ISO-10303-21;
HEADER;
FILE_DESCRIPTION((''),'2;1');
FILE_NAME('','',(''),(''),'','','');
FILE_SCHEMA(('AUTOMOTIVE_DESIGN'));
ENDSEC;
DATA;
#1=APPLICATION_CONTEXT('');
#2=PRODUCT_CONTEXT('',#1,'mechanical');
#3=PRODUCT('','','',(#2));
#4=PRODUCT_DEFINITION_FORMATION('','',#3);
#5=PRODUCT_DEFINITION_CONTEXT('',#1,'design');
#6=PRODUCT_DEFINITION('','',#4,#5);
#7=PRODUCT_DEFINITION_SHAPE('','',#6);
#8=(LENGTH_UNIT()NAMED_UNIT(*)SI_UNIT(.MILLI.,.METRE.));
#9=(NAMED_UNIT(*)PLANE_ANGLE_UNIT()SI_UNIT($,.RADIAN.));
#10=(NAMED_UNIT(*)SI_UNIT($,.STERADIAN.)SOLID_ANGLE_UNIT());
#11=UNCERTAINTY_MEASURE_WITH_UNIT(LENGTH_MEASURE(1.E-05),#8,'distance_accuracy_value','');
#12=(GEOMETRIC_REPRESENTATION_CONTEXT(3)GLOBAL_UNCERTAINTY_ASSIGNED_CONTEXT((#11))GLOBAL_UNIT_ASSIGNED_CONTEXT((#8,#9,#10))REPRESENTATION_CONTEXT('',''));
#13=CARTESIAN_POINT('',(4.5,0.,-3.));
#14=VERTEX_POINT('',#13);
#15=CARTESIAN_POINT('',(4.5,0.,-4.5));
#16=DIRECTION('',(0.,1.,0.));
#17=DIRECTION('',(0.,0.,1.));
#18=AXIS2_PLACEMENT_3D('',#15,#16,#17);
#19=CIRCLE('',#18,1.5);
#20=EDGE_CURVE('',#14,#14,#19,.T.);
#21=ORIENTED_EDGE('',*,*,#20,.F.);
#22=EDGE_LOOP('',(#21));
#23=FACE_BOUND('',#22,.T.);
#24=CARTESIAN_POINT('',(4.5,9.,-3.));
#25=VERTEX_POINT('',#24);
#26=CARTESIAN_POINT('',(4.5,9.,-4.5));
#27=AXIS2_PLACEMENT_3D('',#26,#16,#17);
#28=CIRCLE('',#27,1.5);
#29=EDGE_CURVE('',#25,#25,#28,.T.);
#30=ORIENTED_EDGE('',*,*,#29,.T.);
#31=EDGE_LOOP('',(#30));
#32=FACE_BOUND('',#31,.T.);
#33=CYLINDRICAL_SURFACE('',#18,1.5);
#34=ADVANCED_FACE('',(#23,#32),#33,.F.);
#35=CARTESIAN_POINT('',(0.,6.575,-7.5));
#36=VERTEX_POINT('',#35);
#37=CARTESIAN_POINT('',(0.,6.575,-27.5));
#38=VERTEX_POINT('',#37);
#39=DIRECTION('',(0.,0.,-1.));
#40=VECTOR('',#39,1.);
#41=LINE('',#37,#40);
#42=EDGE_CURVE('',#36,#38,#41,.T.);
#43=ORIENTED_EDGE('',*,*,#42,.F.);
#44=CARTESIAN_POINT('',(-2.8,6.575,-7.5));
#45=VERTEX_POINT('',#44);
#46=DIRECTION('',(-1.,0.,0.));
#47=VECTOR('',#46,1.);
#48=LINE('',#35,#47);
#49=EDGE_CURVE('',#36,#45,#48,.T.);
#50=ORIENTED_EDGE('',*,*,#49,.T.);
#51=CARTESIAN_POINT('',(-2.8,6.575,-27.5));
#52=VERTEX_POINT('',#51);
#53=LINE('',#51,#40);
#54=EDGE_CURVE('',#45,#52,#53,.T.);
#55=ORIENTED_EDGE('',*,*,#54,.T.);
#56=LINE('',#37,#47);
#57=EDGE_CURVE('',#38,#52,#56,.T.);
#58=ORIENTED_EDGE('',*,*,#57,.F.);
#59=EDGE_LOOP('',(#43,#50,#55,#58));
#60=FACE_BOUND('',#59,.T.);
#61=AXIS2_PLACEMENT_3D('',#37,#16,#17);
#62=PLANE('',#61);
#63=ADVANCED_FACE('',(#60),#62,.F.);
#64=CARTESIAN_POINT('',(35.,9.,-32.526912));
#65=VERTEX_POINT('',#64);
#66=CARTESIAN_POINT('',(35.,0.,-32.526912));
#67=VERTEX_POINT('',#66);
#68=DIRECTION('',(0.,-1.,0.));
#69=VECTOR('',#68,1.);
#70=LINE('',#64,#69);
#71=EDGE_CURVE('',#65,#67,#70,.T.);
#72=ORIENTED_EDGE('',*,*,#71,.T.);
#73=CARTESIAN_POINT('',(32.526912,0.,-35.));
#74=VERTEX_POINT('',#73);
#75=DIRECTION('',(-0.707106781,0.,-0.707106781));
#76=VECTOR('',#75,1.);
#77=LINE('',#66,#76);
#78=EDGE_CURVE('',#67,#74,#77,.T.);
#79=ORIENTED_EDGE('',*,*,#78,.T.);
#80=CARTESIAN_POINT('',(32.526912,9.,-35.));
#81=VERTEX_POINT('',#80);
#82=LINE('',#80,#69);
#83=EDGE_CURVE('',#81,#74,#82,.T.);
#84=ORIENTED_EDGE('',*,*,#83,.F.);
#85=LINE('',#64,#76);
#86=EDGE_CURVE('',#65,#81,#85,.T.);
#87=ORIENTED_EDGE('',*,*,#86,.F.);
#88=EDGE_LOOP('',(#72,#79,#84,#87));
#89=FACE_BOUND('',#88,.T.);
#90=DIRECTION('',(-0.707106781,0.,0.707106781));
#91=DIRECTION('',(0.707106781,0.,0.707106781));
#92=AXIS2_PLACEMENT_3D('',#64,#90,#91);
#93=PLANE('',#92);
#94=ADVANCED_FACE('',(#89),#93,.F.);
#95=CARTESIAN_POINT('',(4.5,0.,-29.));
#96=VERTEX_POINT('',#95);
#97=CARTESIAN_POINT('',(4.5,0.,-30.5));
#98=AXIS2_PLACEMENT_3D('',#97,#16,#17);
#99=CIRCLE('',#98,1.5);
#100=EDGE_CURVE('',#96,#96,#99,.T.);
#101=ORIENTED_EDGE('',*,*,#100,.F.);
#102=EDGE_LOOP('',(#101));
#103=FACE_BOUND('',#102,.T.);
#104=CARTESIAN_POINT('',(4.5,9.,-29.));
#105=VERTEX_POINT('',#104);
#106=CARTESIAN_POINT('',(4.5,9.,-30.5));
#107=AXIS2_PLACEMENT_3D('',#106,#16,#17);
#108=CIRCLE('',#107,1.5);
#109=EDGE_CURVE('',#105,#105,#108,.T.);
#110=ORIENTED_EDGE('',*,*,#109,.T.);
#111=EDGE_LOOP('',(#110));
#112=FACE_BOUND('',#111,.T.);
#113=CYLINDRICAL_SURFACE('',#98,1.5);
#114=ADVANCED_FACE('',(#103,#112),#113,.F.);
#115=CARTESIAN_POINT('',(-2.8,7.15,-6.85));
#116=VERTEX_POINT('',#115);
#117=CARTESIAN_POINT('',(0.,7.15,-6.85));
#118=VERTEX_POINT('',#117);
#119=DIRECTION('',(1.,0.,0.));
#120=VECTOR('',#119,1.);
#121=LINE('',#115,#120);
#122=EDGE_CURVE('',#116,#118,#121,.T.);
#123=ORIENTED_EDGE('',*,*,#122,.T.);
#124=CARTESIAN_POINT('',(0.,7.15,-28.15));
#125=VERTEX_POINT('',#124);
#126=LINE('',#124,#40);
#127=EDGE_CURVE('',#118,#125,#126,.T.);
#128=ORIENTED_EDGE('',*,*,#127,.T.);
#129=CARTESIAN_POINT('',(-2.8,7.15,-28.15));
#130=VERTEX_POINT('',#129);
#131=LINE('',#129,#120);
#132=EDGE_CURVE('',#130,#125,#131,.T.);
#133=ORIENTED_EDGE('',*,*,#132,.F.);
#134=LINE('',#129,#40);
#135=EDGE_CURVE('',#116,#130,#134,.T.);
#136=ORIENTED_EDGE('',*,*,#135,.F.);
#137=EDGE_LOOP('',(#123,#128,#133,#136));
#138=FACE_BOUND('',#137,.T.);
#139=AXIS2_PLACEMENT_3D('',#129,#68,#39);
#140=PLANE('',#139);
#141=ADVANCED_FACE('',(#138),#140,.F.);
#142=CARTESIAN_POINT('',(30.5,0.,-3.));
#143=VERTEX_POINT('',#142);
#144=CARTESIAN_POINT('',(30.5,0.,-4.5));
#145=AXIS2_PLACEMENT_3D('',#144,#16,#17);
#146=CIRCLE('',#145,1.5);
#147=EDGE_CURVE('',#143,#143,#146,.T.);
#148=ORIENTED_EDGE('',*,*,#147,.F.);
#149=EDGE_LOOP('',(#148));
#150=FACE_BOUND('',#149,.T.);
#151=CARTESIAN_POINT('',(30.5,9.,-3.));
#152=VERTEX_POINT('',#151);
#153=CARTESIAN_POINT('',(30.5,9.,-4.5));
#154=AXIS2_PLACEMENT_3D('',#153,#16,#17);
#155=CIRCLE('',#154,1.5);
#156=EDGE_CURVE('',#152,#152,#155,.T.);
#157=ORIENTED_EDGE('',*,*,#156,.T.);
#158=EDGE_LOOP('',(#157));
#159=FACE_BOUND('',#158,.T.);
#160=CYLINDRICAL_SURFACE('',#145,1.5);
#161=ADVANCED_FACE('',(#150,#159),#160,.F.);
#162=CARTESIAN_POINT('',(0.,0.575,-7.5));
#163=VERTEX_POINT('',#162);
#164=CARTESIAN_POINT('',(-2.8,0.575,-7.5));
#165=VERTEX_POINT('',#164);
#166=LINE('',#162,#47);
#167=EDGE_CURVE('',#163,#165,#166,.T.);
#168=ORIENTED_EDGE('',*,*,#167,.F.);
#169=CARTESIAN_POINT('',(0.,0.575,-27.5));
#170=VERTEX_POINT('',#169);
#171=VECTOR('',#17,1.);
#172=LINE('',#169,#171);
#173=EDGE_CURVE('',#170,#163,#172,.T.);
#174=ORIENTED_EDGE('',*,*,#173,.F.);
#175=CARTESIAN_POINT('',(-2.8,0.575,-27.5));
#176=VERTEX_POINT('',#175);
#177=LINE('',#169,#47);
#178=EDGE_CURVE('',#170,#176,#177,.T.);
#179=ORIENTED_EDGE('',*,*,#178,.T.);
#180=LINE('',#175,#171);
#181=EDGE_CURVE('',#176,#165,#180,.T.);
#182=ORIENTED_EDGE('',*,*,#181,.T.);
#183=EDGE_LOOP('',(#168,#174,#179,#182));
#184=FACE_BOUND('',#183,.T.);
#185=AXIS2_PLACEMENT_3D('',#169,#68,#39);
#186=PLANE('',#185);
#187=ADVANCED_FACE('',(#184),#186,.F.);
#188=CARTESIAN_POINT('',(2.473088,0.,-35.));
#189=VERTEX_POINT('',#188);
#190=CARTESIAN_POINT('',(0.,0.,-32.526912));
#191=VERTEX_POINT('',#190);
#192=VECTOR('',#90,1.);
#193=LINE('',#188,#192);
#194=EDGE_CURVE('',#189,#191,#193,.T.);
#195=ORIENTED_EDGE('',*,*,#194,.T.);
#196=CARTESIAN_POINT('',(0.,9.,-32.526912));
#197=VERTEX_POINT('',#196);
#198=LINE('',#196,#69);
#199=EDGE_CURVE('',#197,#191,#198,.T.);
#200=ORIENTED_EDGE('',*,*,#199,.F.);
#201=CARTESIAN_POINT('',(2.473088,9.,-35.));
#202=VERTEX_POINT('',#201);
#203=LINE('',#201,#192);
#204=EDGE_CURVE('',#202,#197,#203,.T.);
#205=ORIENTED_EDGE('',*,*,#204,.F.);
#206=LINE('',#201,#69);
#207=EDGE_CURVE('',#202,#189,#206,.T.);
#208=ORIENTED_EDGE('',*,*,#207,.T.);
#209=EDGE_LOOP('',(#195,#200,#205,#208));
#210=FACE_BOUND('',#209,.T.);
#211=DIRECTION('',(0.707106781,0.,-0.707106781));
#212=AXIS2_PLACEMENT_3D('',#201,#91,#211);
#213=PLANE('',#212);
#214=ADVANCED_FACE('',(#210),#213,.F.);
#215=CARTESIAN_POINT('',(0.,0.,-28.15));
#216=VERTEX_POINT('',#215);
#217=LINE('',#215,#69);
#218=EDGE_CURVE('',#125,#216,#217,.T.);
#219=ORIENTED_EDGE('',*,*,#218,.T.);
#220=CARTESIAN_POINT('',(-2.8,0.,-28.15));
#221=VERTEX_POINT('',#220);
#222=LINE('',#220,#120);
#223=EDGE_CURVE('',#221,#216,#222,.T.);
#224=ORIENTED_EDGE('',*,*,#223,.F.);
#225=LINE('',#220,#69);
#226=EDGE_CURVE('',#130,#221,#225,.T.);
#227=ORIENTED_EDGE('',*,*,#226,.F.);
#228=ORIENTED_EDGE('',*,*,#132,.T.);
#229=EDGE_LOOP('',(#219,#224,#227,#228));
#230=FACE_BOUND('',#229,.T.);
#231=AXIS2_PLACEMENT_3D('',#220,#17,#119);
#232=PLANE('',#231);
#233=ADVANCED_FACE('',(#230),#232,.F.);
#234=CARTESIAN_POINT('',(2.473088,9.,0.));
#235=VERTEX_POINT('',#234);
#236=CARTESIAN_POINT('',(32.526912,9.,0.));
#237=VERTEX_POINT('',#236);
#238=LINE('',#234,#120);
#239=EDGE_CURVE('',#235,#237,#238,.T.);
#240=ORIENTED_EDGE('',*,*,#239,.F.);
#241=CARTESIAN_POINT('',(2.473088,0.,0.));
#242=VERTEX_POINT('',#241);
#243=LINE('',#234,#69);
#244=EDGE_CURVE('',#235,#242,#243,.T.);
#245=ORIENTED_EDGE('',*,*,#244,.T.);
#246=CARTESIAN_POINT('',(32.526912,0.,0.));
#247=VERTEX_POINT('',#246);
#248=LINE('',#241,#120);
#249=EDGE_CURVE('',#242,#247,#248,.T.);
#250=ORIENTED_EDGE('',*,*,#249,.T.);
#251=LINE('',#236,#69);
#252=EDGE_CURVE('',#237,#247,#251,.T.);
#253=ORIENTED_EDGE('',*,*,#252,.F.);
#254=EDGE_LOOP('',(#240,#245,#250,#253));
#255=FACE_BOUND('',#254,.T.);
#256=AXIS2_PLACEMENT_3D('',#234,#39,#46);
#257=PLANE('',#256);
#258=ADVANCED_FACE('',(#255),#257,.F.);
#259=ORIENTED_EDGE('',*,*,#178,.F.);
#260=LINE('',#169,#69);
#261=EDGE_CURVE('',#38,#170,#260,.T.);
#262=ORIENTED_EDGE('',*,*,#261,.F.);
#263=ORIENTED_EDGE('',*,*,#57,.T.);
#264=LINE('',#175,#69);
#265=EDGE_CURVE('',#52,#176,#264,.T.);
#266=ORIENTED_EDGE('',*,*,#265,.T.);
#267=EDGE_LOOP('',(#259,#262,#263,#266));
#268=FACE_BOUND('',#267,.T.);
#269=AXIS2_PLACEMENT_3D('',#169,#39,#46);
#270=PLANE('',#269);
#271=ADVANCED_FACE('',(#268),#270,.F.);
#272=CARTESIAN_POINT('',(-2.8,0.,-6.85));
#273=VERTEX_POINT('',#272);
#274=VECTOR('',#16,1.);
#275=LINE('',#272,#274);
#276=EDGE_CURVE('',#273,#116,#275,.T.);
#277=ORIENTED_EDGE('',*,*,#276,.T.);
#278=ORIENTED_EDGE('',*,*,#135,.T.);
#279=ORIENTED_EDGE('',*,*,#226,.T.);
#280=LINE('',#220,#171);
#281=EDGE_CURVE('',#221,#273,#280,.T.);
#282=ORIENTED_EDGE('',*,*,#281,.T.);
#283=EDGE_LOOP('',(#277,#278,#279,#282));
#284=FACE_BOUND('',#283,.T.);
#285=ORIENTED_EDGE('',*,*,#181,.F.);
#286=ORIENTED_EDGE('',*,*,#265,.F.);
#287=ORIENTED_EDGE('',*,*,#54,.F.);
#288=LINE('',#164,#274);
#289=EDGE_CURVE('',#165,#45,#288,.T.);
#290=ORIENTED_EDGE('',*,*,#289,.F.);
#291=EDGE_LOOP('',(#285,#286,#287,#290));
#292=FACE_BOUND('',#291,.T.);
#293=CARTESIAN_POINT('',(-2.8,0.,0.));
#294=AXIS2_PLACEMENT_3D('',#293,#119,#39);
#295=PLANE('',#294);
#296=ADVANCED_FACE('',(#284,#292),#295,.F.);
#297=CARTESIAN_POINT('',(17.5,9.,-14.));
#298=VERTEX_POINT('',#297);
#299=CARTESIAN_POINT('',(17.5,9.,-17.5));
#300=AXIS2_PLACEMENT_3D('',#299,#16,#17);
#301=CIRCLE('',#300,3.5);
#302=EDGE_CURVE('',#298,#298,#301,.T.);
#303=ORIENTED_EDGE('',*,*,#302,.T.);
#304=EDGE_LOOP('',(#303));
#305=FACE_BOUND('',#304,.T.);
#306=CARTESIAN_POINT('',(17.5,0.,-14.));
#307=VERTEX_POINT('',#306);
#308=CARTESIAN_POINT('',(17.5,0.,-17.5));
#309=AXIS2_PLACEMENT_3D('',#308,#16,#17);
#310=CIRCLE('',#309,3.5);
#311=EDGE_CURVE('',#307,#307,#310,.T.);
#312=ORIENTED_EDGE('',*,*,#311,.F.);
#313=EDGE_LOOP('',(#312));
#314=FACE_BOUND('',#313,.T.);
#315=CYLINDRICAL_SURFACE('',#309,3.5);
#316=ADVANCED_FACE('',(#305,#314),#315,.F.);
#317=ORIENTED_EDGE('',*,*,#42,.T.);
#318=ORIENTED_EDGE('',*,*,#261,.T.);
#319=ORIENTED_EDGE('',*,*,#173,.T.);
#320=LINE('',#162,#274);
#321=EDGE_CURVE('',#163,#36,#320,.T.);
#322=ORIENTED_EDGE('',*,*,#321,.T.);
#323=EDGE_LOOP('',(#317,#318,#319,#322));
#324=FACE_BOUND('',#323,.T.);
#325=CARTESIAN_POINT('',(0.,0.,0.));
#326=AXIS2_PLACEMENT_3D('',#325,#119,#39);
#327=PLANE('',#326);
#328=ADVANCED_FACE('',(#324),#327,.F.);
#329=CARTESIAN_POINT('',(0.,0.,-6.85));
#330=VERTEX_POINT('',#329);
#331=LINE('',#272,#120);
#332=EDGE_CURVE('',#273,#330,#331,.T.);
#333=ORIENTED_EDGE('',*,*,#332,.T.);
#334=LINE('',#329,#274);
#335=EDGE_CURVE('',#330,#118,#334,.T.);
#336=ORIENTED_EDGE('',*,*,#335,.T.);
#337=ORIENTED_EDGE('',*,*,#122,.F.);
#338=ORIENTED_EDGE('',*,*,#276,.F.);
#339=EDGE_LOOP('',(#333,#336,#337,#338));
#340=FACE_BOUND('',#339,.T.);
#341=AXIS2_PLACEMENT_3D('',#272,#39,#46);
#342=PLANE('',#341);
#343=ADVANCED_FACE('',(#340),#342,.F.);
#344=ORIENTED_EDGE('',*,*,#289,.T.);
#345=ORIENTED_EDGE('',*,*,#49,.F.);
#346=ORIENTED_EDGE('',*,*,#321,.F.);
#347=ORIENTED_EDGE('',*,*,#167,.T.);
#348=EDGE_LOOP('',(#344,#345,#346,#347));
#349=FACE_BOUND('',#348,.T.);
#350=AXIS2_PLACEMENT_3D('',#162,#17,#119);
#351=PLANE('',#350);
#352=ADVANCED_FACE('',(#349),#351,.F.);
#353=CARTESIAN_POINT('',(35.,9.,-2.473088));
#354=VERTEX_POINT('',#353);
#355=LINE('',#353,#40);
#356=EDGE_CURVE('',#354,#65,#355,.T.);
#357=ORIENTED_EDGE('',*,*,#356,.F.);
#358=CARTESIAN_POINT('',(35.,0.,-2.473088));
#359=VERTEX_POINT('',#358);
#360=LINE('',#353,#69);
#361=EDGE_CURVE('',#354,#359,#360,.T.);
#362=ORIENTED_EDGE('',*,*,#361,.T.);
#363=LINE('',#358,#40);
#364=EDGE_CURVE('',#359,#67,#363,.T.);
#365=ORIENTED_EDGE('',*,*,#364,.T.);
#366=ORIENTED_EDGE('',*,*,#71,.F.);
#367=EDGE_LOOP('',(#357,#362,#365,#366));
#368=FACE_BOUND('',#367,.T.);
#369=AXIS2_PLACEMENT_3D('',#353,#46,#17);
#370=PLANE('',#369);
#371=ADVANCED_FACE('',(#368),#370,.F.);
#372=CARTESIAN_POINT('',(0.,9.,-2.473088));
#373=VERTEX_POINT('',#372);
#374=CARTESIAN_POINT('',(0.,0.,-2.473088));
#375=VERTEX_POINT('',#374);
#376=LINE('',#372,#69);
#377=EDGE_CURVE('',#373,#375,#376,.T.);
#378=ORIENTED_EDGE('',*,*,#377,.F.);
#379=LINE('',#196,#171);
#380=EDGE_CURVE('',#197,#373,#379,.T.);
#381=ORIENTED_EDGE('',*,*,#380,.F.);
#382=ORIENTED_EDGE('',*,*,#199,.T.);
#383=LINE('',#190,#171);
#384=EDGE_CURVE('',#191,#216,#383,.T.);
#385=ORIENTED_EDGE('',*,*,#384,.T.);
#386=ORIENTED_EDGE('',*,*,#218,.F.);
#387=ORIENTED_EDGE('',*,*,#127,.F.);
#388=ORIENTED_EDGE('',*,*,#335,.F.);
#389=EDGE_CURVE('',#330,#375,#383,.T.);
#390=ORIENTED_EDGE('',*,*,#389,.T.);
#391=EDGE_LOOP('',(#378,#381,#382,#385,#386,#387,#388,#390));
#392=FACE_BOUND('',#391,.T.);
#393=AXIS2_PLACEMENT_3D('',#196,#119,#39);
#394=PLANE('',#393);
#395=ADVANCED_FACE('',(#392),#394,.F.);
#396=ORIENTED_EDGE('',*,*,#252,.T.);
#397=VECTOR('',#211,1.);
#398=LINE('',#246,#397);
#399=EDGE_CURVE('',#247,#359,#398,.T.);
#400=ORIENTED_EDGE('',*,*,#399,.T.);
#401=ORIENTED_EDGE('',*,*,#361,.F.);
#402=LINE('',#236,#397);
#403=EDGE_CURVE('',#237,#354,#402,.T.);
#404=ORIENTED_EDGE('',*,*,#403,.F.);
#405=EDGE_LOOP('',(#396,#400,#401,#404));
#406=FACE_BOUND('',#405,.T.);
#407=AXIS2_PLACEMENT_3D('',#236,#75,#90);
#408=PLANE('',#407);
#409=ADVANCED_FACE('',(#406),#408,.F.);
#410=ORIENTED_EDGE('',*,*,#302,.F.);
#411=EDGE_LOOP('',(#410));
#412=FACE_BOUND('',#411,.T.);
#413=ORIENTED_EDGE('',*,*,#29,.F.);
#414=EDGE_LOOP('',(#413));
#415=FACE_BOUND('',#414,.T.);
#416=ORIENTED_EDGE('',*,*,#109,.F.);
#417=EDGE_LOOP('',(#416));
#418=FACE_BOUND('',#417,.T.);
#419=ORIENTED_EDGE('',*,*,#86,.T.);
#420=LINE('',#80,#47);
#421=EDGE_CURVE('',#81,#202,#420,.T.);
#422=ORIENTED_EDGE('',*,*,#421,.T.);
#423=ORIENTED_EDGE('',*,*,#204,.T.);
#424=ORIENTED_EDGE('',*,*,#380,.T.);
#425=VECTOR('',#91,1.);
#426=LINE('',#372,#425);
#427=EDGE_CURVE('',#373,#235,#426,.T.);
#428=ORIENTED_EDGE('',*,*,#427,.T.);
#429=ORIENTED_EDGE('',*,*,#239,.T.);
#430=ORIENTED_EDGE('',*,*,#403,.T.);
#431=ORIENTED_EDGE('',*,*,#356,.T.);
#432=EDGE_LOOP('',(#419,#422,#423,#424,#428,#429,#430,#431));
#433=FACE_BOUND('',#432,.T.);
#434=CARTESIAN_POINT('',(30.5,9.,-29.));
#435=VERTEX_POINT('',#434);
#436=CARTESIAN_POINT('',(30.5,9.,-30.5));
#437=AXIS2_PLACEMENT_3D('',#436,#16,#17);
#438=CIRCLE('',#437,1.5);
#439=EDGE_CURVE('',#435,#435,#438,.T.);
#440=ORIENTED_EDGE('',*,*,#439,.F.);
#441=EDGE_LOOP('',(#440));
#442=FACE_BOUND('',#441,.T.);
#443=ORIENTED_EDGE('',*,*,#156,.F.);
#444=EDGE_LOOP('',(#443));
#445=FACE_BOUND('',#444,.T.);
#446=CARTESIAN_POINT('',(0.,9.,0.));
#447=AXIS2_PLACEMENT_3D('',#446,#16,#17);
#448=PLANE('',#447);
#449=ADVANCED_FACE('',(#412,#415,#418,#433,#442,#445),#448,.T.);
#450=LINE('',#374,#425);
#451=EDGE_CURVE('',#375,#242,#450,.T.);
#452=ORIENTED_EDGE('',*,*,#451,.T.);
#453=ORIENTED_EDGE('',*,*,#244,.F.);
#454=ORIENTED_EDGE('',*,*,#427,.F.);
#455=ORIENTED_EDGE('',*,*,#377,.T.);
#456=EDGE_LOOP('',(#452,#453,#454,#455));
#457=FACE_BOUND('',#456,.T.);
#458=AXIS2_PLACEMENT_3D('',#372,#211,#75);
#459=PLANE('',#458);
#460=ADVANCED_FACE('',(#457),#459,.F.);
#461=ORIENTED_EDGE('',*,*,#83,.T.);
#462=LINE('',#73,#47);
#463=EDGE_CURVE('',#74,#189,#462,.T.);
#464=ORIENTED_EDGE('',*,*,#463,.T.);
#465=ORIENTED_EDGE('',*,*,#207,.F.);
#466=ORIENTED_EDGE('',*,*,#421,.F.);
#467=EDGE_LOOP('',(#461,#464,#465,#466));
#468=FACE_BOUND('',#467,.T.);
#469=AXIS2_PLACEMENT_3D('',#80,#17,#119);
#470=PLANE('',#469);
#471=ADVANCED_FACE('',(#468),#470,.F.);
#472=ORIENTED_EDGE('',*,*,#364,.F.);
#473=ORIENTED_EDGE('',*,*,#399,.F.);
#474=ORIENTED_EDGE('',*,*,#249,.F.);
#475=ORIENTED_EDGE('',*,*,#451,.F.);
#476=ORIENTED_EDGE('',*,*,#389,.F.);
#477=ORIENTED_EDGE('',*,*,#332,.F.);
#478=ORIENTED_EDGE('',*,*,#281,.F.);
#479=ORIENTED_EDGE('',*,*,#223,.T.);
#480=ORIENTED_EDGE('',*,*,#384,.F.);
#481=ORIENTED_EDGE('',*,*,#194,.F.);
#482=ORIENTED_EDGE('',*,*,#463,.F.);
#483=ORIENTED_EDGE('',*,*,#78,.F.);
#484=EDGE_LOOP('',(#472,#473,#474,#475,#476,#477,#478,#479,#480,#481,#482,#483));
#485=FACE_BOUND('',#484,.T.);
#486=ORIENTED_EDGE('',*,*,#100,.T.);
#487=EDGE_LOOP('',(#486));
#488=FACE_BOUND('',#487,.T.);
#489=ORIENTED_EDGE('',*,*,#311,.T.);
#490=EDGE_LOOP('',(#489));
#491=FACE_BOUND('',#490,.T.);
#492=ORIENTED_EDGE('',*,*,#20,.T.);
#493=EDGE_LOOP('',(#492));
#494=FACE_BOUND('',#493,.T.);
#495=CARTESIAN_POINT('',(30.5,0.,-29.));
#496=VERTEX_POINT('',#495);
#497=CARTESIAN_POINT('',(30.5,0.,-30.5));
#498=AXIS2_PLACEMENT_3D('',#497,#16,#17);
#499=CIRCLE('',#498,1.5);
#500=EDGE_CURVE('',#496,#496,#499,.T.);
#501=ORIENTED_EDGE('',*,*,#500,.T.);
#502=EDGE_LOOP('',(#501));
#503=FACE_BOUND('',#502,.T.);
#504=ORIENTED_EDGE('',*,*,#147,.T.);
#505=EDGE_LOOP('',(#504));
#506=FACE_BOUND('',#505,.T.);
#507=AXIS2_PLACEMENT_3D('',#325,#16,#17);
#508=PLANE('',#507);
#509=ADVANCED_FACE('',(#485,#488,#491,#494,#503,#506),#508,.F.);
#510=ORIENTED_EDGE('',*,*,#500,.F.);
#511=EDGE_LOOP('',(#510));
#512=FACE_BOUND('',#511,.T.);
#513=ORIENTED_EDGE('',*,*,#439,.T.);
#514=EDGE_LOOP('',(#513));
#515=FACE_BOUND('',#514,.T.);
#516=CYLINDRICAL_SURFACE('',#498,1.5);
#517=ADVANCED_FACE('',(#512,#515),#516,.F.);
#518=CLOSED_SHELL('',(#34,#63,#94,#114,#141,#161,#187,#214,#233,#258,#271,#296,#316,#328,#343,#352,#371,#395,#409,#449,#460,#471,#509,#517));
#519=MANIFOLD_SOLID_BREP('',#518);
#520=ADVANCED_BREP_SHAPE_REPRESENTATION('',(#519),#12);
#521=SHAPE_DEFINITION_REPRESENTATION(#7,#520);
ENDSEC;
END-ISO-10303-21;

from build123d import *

# Parameters (mm, degrees)
SALIENTE_EXTRUIR1_DEPTH = 9
CROQUIS2_R              = 3.5
CORTAR_EXTRUIR1_DEPTH   = 10
CROQUIS3_R              = 1.5
CORTAR_EXTRUIR2_DEPTH   = 10
SKETCH1_W               = 21.3
SKETCH1_H               = 7.15
BOSS_EXTRUDE1_DEPTH     = 2.8
SKETCH2_W               = 20
SKETCH2_H               = 6
CUT_EXTRUDE1_DEPTH      = 2.8


with BuildPart() as part:
    # Croquis1 → Saliente-Extruir1 (new body)
    with BuildSketch(Plane(origin=(0, 0, 0), x_dir=(1, 0, 0), z_dir=(0, 1, 0))):
        Polygon((0, 2.473088065), (2.473088065, 0), (32.526911935, 0), (35, 2.473088065), (35, 32.526911935), (32.526911935, 35), (2.473088065, 35), (0, 32.526911935), align=None)
    extrude(amount=SALIENTE_EXTRUIR1_DEPTH)

    # Croquis2 → Cortar-Extruir1 (cut, through all)
    with BuildSketch(Plane(origin=(0, 9, 0), x_dir=(1, 0, 0), z_dir=(0, 1, 0))):
        with Locations((17.5, 17.5)):
            Circle(CROQUIS2_R)
    extrude(amount=-CORTAR_EXTRUIR1_DEPTH, mode=Mode.SUBTRACT)

    # Croquis3 → Cortar-Extruir2 (cut, through all)
    with BuildSketch(Plane(origin=(0, 9, 0), x_dir=(1, 0, 0), z_dir=(0, 1, 0))):
        with Locations((4.5, 30.5)):
            Circle(CROQUIS3_R)
        with Locations((30.5, 30.5)):
            Circle(CROQUIS3_R)
        with Locations((30.5, 4.5)):
            Circle(CROQUIS3_R)
        with Locations((4.5, 4.5)):
            Circle(CROQUIS3_R)
    extrude(amount=-CORTAR_EXTRUIR2_DEPTH, mode=Mode.SUBTRACT)

    # Sketch1 → Boss-Extrude1 (add)
    with BuildSketch(Plane.ZY):
        with Locations((-17.5, 3.575)):
            Rectangle(SKETCH1_W, SKETCH1_H)
    extrude(amount=BOSS_EXTRUDE1_DEPTH)

    # Sketch2 → Cut-Extrude1 (cut)
    with BuildSketch(Plane.ZY.offset(2.8)):
        with Locations((-17.5, 3.575)):
            Rectangle(SKETCH2_W, SKETCH2_H)
    extrude(amount=-CUT_EXTRUDE1_DEPTH, mode=Mode.SUBTRACT)


solid = part.part
